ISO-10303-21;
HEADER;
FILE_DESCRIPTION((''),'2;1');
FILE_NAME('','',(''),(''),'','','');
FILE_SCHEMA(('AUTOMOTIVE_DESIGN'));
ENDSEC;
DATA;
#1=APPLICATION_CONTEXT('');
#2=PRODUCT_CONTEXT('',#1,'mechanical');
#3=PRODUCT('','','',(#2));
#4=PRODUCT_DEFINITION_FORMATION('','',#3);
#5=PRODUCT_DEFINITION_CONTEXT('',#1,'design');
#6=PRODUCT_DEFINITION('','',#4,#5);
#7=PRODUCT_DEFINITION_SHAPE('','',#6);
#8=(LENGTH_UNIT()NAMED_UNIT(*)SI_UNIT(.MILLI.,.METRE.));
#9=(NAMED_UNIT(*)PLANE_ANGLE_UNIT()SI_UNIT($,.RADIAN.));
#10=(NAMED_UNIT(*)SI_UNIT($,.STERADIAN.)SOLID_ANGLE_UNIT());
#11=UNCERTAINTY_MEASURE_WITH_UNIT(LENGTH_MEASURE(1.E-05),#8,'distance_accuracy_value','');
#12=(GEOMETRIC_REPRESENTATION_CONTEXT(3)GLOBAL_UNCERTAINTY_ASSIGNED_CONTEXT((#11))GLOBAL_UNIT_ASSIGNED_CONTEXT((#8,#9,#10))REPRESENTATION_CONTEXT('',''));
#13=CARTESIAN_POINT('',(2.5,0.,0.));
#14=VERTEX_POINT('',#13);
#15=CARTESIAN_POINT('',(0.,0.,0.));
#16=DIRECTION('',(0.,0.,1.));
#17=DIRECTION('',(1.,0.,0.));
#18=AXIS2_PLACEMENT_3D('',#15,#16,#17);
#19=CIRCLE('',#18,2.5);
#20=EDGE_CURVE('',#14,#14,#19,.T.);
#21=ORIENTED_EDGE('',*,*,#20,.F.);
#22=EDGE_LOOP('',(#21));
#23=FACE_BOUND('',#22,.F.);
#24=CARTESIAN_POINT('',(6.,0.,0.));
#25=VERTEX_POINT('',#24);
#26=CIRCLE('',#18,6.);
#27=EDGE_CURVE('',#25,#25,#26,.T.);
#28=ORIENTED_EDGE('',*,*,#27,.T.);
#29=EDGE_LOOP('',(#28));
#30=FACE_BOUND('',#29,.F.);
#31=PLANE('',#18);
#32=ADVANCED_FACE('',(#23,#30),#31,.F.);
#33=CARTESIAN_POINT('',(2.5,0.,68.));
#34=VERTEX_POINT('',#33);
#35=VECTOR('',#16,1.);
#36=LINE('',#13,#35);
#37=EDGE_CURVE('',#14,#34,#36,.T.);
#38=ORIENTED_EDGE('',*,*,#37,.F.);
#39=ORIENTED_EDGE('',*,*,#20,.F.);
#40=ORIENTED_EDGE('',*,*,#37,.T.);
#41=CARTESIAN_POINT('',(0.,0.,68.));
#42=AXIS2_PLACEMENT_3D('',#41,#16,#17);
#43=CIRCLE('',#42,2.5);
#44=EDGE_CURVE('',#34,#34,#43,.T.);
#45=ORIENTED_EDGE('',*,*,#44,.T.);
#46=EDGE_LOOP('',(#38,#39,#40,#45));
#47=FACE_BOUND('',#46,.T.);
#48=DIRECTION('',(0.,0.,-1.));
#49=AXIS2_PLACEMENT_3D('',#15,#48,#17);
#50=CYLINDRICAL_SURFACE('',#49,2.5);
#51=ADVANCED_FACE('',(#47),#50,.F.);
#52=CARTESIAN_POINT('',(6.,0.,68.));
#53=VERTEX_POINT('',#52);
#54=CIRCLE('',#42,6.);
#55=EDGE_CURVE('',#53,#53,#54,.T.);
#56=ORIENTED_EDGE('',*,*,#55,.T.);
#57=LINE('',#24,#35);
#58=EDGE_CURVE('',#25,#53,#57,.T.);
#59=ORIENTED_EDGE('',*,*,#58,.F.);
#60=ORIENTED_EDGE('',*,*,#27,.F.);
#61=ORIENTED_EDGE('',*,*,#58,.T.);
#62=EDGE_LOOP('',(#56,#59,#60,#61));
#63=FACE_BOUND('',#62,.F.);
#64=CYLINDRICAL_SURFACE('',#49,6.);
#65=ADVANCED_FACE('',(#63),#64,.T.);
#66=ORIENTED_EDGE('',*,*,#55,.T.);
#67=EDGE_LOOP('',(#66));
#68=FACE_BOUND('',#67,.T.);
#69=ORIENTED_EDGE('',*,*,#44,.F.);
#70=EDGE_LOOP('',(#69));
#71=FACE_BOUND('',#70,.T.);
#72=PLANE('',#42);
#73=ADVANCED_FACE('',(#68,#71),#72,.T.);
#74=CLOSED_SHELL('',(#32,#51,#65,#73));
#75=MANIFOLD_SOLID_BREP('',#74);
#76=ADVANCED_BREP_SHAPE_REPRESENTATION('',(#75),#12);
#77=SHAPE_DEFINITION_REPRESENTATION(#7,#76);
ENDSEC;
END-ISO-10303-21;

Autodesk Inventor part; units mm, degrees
ref_plane "YZ Plane" through (0, 0, 0) normal (1, 0, 0) x (0, 1, 0)
ref_plane "XZ Plane" through (0, 0, 0) normal (0, 1, 0) x (-1, 0, 0)
ref_plane "XY Plane" through (0, 0, 0) normal (0, 0, 1) x (1, 0, 0)
sketch "Sketch1" plane through (0, 0, 0) normal (0, 0, 1) x (1, 0, 0)
  circle A0 centre (0, 0) radius 2.5
  circle A1 centre (0, 0) radius 6
  dimension "d0" = 5
  dimension "d1" = 12
extrude "Extrusion1" add sketch "Sketch1" along normal blind 68
properties part number "332-02" material "Titanium"
